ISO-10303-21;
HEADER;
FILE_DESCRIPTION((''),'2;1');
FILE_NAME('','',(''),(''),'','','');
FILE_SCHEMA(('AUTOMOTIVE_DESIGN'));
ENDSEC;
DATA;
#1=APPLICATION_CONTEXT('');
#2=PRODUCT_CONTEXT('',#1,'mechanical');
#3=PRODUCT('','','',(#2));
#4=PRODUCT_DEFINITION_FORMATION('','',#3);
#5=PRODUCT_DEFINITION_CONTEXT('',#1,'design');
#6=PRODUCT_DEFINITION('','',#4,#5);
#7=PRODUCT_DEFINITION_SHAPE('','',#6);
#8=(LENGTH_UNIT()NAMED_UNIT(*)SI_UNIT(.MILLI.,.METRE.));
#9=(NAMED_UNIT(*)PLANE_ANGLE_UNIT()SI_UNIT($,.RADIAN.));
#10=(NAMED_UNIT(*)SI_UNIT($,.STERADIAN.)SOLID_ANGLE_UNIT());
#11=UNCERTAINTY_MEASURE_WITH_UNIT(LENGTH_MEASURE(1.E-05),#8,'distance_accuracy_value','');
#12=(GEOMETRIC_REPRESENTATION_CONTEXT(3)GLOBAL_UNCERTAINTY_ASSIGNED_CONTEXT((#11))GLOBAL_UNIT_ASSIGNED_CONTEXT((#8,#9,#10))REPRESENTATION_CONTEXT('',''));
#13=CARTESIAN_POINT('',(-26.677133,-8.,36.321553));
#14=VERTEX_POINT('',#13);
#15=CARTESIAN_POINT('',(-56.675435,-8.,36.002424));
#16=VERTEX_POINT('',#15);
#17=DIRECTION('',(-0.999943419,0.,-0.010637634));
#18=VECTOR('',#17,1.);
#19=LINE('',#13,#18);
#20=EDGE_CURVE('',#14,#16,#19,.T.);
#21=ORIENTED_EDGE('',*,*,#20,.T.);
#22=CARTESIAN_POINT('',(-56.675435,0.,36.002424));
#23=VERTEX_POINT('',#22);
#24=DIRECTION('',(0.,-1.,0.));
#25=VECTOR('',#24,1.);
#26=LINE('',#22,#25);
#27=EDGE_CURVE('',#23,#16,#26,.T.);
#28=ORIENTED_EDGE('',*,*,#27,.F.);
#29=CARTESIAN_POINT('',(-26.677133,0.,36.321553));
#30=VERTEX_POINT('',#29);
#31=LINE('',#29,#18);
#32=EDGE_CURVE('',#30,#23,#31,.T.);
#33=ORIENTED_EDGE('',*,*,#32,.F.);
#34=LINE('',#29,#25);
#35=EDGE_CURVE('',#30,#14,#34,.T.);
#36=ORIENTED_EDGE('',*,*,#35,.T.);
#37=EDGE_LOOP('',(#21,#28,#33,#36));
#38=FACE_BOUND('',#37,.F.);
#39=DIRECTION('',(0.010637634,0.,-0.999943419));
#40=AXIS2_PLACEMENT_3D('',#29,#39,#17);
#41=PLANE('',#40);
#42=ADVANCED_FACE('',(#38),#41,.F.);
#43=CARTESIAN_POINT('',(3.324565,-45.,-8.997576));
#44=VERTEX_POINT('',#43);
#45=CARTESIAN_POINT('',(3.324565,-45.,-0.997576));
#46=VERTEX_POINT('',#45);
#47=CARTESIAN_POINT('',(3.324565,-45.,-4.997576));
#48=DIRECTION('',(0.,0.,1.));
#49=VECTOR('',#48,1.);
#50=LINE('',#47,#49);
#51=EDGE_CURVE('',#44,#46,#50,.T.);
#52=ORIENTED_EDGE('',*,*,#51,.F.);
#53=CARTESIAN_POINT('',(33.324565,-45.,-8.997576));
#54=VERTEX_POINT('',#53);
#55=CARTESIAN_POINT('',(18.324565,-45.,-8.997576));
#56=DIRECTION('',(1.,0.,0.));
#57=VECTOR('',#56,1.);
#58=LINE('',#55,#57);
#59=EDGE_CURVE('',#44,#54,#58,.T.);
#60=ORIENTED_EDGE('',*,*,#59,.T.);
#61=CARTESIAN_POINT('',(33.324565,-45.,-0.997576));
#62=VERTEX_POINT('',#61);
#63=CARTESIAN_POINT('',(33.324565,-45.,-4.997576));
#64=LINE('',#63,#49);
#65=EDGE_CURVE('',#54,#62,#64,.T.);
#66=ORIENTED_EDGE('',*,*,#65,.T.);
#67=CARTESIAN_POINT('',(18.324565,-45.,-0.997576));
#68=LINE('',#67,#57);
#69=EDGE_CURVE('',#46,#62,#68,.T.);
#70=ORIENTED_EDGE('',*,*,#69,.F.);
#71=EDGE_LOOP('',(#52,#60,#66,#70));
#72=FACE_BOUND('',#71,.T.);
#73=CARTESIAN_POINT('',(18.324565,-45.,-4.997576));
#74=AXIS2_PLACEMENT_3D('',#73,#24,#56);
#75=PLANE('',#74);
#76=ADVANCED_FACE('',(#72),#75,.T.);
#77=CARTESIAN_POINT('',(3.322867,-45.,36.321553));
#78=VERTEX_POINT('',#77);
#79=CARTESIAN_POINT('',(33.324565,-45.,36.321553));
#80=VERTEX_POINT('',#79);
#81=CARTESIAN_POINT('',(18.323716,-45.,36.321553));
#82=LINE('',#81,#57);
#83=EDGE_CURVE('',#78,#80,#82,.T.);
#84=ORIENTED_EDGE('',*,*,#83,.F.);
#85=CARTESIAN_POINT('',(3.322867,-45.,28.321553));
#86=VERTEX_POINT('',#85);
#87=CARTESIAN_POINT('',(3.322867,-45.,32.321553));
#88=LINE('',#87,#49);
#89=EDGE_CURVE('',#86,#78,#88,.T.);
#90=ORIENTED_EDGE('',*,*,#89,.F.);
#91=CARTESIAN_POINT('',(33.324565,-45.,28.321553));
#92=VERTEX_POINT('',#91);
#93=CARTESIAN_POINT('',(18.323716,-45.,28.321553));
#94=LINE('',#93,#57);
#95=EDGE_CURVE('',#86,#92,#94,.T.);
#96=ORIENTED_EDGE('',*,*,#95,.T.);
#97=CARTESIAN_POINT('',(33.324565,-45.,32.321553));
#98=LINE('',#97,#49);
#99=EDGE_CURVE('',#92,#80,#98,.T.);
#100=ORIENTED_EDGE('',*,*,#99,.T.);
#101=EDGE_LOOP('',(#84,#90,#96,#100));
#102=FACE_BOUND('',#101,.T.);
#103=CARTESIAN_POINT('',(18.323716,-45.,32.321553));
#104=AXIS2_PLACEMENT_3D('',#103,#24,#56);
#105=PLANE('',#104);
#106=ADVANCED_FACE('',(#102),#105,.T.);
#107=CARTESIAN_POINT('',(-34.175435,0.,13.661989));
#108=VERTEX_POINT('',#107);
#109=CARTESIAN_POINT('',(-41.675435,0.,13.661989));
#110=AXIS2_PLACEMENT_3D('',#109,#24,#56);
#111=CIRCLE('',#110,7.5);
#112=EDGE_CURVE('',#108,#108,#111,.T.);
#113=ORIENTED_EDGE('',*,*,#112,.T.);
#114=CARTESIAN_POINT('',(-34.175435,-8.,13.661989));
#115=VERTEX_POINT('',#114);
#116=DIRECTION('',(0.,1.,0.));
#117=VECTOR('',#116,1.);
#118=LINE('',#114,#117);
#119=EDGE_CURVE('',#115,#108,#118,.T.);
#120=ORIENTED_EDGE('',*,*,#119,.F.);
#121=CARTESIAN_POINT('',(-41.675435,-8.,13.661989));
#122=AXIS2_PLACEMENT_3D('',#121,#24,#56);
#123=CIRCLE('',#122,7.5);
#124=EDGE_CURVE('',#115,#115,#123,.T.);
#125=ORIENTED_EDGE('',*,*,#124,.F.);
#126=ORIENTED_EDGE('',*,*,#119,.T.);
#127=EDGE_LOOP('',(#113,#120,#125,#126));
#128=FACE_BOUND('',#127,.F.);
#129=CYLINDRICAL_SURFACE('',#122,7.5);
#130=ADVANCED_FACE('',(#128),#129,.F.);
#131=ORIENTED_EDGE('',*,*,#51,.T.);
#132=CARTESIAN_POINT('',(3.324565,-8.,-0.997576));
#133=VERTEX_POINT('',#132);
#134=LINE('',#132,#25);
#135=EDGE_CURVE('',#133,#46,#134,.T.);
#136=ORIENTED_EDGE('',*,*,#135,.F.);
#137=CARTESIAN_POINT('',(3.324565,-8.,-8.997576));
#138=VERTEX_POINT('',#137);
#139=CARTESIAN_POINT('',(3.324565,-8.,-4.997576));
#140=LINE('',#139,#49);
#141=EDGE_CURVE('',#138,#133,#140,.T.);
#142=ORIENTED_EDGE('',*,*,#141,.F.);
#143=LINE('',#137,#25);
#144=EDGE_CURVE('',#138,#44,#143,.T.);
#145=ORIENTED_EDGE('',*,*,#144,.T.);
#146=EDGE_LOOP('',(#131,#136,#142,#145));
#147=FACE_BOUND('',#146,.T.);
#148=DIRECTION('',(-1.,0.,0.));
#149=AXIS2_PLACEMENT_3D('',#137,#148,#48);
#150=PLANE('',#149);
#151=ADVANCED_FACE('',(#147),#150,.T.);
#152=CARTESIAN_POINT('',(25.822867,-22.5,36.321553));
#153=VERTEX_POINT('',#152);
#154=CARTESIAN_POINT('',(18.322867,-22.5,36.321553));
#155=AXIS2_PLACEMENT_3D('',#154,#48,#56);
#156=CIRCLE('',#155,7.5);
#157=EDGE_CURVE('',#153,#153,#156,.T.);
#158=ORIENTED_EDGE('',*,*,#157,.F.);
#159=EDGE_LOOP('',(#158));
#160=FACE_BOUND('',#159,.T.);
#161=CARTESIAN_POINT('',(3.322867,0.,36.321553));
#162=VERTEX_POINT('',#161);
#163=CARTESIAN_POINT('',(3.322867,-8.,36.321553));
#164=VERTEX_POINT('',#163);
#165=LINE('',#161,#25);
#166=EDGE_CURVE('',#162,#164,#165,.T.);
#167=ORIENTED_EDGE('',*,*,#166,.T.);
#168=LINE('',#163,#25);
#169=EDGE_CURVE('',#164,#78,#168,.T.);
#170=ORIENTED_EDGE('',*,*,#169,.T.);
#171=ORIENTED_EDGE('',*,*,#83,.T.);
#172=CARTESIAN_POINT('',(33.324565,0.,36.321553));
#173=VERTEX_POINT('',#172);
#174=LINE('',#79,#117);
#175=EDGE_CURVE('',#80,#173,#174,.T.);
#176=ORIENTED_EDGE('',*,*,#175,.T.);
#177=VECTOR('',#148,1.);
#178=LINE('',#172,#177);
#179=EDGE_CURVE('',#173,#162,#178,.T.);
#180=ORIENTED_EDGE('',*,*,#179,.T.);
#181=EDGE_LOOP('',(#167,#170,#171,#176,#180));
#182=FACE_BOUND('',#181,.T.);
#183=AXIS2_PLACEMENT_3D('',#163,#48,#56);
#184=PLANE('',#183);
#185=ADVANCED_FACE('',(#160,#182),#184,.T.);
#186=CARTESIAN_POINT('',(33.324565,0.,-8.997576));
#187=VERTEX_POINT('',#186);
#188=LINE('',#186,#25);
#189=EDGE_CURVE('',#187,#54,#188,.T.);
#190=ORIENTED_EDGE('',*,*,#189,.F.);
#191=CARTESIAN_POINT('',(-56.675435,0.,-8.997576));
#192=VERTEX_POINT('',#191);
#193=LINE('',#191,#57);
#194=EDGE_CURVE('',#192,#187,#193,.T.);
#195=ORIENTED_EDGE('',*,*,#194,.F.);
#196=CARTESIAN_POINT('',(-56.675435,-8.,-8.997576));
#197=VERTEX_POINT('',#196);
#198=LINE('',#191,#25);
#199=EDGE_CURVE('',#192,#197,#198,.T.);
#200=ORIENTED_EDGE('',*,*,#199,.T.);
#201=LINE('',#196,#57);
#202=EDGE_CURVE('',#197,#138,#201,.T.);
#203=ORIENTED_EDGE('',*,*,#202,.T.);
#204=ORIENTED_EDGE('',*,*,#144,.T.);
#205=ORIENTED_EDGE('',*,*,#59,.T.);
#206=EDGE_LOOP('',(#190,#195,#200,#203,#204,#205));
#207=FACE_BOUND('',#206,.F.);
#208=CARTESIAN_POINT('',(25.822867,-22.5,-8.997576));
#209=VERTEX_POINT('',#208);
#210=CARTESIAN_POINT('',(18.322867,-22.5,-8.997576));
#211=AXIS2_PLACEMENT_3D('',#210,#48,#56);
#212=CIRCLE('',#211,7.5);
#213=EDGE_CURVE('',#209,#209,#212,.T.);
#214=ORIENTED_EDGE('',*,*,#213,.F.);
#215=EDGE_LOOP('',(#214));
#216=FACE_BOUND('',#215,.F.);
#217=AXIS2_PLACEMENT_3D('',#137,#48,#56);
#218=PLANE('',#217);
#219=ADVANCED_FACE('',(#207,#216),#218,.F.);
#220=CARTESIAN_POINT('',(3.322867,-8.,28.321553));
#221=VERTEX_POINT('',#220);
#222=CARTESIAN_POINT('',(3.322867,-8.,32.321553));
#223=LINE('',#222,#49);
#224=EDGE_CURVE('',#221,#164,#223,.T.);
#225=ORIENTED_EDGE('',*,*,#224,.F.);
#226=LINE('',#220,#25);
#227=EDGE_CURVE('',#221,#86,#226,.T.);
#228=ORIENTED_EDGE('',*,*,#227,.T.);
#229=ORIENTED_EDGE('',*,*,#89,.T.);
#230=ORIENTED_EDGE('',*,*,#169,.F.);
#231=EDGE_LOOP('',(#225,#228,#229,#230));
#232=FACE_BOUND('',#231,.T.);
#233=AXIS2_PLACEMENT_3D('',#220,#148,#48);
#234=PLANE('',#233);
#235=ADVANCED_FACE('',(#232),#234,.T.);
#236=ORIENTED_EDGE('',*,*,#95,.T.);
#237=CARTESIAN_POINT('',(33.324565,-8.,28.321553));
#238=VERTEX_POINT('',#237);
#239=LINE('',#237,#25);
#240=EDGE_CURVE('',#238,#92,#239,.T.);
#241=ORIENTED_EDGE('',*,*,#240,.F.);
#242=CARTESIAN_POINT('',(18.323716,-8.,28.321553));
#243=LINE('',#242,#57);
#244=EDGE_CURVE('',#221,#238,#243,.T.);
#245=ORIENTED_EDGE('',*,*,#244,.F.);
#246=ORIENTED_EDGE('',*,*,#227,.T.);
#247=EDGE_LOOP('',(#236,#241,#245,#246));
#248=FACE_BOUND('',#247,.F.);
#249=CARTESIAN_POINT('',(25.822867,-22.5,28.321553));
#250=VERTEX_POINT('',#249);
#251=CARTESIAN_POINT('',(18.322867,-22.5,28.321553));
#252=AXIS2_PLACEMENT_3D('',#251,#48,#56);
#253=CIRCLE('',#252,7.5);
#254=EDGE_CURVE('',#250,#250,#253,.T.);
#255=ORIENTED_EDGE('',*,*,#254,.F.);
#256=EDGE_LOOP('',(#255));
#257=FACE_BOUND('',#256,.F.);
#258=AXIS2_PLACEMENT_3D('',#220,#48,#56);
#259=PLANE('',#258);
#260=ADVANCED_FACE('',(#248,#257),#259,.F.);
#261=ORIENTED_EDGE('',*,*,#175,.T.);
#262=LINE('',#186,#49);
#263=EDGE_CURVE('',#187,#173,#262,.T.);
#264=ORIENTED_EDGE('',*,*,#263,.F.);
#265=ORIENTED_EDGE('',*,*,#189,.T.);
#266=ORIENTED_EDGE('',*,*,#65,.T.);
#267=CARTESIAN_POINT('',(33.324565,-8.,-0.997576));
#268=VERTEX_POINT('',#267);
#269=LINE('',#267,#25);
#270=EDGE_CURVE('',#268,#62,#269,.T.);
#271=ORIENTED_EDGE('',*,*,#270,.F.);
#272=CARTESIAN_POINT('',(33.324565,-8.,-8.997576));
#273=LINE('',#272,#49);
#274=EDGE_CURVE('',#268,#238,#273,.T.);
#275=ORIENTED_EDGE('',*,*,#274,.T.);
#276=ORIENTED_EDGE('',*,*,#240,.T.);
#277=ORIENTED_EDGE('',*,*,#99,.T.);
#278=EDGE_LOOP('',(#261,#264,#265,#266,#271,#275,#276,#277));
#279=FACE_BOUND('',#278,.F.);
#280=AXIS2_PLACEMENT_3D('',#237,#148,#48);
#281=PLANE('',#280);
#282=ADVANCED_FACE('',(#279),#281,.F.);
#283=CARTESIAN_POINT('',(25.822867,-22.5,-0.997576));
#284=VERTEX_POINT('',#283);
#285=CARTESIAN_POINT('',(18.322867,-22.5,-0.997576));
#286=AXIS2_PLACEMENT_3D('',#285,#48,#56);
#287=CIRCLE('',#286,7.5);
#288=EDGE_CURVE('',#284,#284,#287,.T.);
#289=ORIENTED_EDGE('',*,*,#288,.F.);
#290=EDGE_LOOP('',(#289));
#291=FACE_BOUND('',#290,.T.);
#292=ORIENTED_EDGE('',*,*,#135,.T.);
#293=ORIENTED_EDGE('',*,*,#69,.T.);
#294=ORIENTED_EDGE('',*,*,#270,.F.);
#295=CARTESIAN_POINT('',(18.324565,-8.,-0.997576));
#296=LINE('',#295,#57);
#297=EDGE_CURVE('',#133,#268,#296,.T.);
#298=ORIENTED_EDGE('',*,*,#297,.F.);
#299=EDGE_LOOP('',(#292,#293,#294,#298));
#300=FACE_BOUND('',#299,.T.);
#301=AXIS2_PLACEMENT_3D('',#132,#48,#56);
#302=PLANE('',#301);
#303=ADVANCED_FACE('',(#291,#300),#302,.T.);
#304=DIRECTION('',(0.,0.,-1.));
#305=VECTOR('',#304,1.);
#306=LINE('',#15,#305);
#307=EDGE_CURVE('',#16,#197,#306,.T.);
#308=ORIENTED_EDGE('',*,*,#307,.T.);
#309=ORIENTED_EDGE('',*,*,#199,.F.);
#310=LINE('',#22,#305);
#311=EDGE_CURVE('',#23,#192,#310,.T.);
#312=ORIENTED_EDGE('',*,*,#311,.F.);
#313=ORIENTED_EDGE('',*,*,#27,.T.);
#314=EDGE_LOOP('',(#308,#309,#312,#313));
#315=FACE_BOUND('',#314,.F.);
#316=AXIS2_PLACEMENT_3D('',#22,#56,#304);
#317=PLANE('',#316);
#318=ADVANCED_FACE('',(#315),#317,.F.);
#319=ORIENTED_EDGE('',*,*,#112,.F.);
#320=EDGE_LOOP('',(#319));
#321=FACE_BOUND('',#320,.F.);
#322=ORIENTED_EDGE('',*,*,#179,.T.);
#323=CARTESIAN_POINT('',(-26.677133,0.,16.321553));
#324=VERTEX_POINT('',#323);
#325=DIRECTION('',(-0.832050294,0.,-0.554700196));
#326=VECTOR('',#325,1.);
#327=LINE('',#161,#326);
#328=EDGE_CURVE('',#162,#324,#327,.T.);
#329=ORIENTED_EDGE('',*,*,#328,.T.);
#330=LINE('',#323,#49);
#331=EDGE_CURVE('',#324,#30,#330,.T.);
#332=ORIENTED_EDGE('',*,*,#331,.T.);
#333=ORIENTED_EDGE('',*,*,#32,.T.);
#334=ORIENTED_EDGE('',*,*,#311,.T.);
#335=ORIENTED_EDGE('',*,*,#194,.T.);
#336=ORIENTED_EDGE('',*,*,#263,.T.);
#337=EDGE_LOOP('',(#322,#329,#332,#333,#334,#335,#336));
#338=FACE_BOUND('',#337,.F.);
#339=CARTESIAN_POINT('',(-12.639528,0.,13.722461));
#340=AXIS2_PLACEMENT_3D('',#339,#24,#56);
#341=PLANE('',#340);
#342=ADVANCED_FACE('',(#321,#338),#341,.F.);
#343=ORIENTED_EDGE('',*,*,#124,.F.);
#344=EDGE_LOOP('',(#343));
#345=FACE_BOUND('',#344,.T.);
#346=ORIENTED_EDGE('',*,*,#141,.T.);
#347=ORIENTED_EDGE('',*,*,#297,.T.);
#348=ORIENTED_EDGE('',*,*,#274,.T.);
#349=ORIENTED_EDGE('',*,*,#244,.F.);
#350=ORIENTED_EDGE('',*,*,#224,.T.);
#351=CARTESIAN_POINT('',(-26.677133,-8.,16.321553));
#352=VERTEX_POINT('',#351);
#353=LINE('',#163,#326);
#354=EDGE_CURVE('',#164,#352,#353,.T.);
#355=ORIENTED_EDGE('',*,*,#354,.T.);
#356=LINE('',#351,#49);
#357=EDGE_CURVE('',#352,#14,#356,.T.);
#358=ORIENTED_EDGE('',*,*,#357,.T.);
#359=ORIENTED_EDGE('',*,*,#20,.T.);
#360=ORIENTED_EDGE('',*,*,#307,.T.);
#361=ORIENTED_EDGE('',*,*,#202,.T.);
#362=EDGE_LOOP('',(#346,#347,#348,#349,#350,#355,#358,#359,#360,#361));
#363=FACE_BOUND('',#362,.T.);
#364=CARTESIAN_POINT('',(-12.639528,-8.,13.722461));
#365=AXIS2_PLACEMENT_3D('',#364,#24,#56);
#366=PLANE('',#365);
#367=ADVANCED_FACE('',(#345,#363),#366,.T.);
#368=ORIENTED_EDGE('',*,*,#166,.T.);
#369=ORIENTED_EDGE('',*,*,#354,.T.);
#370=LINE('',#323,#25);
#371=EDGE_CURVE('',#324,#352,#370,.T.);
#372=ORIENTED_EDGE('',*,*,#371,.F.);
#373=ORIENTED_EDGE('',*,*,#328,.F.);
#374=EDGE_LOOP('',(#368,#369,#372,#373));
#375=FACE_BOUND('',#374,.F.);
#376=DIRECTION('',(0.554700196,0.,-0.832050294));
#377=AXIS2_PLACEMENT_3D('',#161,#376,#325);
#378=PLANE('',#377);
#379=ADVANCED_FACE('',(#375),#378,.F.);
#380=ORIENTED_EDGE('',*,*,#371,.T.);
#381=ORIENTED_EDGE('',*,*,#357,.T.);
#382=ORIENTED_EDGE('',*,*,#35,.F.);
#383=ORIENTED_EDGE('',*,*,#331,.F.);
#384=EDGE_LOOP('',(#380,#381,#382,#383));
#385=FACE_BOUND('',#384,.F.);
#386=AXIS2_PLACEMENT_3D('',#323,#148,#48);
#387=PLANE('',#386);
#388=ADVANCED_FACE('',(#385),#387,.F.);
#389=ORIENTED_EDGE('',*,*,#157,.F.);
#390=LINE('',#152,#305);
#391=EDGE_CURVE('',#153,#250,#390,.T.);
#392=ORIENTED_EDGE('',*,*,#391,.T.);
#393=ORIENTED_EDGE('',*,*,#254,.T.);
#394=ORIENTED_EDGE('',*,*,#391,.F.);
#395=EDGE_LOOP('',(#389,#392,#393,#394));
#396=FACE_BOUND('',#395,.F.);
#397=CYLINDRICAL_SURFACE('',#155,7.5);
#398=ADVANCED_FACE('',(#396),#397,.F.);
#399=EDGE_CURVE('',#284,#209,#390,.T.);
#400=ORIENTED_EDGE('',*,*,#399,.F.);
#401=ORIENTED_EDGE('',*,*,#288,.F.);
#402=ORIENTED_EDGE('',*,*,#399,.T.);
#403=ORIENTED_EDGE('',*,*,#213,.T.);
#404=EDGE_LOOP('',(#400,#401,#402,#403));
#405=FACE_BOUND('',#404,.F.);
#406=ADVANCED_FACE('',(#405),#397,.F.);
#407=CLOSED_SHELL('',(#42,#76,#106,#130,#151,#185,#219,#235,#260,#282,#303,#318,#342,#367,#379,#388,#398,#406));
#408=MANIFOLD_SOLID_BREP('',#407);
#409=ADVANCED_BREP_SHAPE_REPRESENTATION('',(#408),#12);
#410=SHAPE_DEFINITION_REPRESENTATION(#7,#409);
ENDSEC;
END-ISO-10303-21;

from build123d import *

# Parameters (mm, degrees)
F1_DEPTH = 8
F2_W     = 30
F2_H     = 8
F3_DEPTH = 37
F4_W     = 30.001698
F4_H     = 8
F5_DEPTH = 37
F6_R     = 7.5
F7_DEPTH = 81.026
F8_R     = 7.5
F9_DEPTH = 57.15


with BuildPart() as f1:
    # F0 (on Front) → F1 (new body)
    with BuildSketch(Plane.XZ):
        Polygon((-26.677133, 36.321553), (-56.675435, 36.002424), (-56.675435, -8.997576), (33.324565, -8.997576), (33.324565, 36.321553), (3.322867, 36.321553), (-26.677133, 16.321553), align=None)
    extrude(amount=F1_DEPTH)

    # F2 (on face) → F3 (join)
    with BuildSketch(Plane.XZ.offset(8)):
        with Locations((18.324565, -4.997576)):
            Rectangle(F2_W, F2_H)
    extrude(amount=F3_DEPTH)

    # F4 (on face) → F5 (join)
    with BuildSketch(Plane.XZ.offset(8)):
        with Locations((18.323716, 32.321553)):
            Rectangle(F4_W, F4_H)
    extrude(amount=F5_DEPTH)

    # F6 (on face) → F7 (cut)
    with BuildSketch(Plane.XY.offset(36.321553)):
        with Locations((18.322867, -22.5)):
            Circle(F6_R)
    extrude(amount=-F7_DEPTH, mode=Mode.SUBTRACT)

    # F8 (on face) → F9 (cut)
    with BuildSketch(Plane.XZ.offset(8)):
        with Locations((-41.675435, 13.661989)):
            Circle(F8_R)
    extrude(amount=-F9_DEPTH, mode=Mode.SUBTRACT)


solid = f1.part
